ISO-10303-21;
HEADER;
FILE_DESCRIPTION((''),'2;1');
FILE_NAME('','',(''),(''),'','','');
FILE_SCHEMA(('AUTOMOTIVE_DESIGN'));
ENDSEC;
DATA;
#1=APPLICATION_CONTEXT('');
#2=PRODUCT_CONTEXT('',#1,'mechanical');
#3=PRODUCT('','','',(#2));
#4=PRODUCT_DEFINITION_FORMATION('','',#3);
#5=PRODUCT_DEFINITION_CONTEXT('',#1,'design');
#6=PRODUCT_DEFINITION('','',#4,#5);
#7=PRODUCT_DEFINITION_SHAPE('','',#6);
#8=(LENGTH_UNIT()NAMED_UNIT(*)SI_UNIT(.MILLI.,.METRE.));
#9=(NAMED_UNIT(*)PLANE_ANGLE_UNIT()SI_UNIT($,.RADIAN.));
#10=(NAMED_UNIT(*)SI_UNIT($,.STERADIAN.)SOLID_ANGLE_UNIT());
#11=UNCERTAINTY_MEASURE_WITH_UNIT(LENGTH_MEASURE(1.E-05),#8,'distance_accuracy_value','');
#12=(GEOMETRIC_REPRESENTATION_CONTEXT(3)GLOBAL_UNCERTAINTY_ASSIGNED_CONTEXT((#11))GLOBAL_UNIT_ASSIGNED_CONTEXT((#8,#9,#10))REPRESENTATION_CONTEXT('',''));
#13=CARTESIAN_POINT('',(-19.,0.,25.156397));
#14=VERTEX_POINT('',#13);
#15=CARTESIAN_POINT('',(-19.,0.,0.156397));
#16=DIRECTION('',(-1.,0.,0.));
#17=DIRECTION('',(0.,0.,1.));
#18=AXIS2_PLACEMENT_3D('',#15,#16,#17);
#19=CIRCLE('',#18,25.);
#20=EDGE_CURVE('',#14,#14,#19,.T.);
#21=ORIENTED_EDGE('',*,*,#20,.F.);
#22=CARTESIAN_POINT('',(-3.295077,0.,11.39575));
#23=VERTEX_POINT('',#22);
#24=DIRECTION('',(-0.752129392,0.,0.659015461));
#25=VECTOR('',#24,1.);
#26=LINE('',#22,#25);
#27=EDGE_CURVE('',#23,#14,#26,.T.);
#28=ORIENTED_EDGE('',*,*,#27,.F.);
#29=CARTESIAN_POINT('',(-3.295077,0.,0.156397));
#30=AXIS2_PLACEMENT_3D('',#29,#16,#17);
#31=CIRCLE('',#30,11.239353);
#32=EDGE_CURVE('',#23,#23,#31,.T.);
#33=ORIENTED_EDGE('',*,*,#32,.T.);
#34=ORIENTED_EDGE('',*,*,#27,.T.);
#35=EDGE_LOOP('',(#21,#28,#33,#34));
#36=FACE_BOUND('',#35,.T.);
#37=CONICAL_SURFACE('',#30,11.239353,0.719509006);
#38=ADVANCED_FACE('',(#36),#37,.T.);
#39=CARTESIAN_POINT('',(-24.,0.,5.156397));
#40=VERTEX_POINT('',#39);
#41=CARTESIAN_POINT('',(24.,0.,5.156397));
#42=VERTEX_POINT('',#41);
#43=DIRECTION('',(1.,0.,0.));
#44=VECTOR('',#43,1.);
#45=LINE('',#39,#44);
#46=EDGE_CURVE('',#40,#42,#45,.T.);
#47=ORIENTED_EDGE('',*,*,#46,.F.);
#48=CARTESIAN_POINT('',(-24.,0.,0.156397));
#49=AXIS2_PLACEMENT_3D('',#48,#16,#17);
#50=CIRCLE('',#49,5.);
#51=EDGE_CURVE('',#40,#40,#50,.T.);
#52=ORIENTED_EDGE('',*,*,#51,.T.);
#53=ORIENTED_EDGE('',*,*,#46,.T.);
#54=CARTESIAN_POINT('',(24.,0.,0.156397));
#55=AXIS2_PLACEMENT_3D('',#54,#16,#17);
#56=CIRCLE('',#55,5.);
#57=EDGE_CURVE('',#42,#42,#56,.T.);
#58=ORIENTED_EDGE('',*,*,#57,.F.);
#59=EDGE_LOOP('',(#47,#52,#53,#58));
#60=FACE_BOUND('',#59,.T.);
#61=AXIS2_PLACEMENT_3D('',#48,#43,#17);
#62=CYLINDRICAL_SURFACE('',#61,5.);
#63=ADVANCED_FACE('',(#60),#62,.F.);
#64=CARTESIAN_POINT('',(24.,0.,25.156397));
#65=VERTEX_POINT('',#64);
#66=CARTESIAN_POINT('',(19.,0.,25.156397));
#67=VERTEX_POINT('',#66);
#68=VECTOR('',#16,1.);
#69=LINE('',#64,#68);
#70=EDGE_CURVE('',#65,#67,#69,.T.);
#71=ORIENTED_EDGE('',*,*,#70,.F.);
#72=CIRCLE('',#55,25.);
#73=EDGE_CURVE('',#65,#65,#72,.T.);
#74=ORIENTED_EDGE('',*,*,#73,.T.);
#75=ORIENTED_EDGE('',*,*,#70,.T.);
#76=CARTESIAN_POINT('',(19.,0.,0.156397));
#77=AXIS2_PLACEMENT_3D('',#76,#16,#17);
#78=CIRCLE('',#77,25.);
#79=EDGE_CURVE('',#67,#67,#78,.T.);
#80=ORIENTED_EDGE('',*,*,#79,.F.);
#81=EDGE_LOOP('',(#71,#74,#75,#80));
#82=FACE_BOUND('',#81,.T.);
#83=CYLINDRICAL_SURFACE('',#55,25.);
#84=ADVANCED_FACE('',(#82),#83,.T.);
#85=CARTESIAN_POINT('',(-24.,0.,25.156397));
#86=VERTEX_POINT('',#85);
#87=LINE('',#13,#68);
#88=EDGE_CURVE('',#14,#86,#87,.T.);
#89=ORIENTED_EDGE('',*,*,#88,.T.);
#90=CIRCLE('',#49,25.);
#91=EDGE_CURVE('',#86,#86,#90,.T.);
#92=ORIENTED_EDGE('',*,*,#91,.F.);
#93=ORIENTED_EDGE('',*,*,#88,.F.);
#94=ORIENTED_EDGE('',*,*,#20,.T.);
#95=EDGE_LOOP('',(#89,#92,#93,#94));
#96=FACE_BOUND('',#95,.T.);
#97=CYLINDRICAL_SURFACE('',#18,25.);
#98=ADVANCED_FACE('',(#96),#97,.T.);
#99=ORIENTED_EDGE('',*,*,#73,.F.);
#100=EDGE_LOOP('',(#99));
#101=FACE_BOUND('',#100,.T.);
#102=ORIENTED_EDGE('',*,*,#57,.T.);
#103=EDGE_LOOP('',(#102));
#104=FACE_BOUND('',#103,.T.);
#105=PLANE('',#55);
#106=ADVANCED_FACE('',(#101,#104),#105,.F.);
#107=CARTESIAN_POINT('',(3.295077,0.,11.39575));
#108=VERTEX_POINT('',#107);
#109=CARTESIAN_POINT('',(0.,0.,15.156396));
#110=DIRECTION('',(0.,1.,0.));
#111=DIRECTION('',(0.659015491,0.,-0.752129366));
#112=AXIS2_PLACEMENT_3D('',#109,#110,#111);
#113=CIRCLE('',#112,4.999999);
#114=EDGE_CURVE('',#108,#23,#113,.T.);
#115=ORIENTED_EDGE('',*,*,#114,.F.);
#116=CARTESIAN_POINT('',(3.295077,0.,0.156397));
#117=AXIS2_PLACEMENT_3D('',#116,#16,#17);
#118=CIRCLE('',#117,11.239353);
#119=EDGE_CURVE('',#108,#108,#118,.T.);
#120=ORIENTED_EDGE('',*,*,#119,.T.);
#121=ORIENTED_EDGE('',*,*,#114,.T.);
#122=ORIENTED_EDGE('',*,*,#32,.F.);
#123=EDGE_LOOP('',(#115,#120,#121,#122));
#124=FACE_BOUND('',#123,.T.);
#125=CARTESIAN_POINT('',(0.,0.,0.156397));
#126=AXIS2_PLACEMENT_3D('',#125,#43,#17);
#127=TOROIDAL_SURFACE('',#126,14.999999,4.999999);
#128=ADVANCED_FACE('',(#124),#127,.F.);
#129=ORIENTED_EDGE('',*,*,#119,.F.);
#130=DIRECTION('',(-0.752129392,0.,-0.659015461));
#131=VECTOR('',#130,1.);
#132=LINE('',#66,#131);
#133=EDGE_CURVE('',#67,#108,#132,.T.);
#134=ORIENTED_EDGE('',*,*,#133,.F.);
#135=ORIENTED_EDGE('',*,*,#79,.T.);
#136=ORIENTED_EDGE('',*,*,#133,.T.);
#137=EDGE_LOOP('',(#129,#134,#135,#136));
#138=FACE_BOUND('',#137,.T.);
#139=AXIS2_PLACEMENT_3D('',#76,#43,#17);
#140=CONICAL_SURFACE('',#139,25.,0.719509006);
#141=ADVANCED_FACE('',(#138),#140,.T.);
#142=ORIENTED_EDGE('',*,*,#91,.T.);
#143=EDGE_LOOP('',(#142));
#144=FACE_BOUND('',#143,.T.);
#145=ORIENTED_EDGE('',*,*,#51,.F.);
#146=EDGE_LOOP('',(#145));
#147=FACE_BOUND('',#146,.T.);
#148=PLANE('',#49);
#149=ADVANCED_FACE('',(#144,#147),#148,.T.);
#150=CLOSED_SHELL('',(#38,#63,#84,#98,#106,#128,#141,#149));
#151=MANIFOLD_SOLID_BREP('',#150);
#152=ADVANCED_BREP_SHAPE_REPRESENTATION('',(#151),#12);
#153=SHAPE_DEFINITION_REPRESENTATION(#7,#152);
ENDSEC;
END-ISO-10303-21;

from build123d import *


with BuildPart() as f1:
    # F0 (on Front) → F1 (revolve)
    with BuildSketch(Plane.XZ):
        with BuildLine():
            Line((-24, 25.156397), (-24, 5.156397))
            Line((-24, 5.156397), (0, 5.156397))
            Line((0, 5.156397), (24, 5.156397))
            Line((24, 5.156397), (24, 25.156397))
            Line((24, 25.156397), (19, 25.156397))
            Line((19, 25.156397), (3.295077, 11.39575))
            ThreePointArc((3.295077, 11.39575), (0, 10.156397), (-3.295077, 11.39575))
            Line((-3.295077, 11.39575), (-19, 25.156397))
            Line((-19, 25.156397), (-24, 25.156397))
        make_face()
    revolve(axis=Axis((-15.156, 0, 0.156397), (-1, 0, 0)))


solid = f1.part
